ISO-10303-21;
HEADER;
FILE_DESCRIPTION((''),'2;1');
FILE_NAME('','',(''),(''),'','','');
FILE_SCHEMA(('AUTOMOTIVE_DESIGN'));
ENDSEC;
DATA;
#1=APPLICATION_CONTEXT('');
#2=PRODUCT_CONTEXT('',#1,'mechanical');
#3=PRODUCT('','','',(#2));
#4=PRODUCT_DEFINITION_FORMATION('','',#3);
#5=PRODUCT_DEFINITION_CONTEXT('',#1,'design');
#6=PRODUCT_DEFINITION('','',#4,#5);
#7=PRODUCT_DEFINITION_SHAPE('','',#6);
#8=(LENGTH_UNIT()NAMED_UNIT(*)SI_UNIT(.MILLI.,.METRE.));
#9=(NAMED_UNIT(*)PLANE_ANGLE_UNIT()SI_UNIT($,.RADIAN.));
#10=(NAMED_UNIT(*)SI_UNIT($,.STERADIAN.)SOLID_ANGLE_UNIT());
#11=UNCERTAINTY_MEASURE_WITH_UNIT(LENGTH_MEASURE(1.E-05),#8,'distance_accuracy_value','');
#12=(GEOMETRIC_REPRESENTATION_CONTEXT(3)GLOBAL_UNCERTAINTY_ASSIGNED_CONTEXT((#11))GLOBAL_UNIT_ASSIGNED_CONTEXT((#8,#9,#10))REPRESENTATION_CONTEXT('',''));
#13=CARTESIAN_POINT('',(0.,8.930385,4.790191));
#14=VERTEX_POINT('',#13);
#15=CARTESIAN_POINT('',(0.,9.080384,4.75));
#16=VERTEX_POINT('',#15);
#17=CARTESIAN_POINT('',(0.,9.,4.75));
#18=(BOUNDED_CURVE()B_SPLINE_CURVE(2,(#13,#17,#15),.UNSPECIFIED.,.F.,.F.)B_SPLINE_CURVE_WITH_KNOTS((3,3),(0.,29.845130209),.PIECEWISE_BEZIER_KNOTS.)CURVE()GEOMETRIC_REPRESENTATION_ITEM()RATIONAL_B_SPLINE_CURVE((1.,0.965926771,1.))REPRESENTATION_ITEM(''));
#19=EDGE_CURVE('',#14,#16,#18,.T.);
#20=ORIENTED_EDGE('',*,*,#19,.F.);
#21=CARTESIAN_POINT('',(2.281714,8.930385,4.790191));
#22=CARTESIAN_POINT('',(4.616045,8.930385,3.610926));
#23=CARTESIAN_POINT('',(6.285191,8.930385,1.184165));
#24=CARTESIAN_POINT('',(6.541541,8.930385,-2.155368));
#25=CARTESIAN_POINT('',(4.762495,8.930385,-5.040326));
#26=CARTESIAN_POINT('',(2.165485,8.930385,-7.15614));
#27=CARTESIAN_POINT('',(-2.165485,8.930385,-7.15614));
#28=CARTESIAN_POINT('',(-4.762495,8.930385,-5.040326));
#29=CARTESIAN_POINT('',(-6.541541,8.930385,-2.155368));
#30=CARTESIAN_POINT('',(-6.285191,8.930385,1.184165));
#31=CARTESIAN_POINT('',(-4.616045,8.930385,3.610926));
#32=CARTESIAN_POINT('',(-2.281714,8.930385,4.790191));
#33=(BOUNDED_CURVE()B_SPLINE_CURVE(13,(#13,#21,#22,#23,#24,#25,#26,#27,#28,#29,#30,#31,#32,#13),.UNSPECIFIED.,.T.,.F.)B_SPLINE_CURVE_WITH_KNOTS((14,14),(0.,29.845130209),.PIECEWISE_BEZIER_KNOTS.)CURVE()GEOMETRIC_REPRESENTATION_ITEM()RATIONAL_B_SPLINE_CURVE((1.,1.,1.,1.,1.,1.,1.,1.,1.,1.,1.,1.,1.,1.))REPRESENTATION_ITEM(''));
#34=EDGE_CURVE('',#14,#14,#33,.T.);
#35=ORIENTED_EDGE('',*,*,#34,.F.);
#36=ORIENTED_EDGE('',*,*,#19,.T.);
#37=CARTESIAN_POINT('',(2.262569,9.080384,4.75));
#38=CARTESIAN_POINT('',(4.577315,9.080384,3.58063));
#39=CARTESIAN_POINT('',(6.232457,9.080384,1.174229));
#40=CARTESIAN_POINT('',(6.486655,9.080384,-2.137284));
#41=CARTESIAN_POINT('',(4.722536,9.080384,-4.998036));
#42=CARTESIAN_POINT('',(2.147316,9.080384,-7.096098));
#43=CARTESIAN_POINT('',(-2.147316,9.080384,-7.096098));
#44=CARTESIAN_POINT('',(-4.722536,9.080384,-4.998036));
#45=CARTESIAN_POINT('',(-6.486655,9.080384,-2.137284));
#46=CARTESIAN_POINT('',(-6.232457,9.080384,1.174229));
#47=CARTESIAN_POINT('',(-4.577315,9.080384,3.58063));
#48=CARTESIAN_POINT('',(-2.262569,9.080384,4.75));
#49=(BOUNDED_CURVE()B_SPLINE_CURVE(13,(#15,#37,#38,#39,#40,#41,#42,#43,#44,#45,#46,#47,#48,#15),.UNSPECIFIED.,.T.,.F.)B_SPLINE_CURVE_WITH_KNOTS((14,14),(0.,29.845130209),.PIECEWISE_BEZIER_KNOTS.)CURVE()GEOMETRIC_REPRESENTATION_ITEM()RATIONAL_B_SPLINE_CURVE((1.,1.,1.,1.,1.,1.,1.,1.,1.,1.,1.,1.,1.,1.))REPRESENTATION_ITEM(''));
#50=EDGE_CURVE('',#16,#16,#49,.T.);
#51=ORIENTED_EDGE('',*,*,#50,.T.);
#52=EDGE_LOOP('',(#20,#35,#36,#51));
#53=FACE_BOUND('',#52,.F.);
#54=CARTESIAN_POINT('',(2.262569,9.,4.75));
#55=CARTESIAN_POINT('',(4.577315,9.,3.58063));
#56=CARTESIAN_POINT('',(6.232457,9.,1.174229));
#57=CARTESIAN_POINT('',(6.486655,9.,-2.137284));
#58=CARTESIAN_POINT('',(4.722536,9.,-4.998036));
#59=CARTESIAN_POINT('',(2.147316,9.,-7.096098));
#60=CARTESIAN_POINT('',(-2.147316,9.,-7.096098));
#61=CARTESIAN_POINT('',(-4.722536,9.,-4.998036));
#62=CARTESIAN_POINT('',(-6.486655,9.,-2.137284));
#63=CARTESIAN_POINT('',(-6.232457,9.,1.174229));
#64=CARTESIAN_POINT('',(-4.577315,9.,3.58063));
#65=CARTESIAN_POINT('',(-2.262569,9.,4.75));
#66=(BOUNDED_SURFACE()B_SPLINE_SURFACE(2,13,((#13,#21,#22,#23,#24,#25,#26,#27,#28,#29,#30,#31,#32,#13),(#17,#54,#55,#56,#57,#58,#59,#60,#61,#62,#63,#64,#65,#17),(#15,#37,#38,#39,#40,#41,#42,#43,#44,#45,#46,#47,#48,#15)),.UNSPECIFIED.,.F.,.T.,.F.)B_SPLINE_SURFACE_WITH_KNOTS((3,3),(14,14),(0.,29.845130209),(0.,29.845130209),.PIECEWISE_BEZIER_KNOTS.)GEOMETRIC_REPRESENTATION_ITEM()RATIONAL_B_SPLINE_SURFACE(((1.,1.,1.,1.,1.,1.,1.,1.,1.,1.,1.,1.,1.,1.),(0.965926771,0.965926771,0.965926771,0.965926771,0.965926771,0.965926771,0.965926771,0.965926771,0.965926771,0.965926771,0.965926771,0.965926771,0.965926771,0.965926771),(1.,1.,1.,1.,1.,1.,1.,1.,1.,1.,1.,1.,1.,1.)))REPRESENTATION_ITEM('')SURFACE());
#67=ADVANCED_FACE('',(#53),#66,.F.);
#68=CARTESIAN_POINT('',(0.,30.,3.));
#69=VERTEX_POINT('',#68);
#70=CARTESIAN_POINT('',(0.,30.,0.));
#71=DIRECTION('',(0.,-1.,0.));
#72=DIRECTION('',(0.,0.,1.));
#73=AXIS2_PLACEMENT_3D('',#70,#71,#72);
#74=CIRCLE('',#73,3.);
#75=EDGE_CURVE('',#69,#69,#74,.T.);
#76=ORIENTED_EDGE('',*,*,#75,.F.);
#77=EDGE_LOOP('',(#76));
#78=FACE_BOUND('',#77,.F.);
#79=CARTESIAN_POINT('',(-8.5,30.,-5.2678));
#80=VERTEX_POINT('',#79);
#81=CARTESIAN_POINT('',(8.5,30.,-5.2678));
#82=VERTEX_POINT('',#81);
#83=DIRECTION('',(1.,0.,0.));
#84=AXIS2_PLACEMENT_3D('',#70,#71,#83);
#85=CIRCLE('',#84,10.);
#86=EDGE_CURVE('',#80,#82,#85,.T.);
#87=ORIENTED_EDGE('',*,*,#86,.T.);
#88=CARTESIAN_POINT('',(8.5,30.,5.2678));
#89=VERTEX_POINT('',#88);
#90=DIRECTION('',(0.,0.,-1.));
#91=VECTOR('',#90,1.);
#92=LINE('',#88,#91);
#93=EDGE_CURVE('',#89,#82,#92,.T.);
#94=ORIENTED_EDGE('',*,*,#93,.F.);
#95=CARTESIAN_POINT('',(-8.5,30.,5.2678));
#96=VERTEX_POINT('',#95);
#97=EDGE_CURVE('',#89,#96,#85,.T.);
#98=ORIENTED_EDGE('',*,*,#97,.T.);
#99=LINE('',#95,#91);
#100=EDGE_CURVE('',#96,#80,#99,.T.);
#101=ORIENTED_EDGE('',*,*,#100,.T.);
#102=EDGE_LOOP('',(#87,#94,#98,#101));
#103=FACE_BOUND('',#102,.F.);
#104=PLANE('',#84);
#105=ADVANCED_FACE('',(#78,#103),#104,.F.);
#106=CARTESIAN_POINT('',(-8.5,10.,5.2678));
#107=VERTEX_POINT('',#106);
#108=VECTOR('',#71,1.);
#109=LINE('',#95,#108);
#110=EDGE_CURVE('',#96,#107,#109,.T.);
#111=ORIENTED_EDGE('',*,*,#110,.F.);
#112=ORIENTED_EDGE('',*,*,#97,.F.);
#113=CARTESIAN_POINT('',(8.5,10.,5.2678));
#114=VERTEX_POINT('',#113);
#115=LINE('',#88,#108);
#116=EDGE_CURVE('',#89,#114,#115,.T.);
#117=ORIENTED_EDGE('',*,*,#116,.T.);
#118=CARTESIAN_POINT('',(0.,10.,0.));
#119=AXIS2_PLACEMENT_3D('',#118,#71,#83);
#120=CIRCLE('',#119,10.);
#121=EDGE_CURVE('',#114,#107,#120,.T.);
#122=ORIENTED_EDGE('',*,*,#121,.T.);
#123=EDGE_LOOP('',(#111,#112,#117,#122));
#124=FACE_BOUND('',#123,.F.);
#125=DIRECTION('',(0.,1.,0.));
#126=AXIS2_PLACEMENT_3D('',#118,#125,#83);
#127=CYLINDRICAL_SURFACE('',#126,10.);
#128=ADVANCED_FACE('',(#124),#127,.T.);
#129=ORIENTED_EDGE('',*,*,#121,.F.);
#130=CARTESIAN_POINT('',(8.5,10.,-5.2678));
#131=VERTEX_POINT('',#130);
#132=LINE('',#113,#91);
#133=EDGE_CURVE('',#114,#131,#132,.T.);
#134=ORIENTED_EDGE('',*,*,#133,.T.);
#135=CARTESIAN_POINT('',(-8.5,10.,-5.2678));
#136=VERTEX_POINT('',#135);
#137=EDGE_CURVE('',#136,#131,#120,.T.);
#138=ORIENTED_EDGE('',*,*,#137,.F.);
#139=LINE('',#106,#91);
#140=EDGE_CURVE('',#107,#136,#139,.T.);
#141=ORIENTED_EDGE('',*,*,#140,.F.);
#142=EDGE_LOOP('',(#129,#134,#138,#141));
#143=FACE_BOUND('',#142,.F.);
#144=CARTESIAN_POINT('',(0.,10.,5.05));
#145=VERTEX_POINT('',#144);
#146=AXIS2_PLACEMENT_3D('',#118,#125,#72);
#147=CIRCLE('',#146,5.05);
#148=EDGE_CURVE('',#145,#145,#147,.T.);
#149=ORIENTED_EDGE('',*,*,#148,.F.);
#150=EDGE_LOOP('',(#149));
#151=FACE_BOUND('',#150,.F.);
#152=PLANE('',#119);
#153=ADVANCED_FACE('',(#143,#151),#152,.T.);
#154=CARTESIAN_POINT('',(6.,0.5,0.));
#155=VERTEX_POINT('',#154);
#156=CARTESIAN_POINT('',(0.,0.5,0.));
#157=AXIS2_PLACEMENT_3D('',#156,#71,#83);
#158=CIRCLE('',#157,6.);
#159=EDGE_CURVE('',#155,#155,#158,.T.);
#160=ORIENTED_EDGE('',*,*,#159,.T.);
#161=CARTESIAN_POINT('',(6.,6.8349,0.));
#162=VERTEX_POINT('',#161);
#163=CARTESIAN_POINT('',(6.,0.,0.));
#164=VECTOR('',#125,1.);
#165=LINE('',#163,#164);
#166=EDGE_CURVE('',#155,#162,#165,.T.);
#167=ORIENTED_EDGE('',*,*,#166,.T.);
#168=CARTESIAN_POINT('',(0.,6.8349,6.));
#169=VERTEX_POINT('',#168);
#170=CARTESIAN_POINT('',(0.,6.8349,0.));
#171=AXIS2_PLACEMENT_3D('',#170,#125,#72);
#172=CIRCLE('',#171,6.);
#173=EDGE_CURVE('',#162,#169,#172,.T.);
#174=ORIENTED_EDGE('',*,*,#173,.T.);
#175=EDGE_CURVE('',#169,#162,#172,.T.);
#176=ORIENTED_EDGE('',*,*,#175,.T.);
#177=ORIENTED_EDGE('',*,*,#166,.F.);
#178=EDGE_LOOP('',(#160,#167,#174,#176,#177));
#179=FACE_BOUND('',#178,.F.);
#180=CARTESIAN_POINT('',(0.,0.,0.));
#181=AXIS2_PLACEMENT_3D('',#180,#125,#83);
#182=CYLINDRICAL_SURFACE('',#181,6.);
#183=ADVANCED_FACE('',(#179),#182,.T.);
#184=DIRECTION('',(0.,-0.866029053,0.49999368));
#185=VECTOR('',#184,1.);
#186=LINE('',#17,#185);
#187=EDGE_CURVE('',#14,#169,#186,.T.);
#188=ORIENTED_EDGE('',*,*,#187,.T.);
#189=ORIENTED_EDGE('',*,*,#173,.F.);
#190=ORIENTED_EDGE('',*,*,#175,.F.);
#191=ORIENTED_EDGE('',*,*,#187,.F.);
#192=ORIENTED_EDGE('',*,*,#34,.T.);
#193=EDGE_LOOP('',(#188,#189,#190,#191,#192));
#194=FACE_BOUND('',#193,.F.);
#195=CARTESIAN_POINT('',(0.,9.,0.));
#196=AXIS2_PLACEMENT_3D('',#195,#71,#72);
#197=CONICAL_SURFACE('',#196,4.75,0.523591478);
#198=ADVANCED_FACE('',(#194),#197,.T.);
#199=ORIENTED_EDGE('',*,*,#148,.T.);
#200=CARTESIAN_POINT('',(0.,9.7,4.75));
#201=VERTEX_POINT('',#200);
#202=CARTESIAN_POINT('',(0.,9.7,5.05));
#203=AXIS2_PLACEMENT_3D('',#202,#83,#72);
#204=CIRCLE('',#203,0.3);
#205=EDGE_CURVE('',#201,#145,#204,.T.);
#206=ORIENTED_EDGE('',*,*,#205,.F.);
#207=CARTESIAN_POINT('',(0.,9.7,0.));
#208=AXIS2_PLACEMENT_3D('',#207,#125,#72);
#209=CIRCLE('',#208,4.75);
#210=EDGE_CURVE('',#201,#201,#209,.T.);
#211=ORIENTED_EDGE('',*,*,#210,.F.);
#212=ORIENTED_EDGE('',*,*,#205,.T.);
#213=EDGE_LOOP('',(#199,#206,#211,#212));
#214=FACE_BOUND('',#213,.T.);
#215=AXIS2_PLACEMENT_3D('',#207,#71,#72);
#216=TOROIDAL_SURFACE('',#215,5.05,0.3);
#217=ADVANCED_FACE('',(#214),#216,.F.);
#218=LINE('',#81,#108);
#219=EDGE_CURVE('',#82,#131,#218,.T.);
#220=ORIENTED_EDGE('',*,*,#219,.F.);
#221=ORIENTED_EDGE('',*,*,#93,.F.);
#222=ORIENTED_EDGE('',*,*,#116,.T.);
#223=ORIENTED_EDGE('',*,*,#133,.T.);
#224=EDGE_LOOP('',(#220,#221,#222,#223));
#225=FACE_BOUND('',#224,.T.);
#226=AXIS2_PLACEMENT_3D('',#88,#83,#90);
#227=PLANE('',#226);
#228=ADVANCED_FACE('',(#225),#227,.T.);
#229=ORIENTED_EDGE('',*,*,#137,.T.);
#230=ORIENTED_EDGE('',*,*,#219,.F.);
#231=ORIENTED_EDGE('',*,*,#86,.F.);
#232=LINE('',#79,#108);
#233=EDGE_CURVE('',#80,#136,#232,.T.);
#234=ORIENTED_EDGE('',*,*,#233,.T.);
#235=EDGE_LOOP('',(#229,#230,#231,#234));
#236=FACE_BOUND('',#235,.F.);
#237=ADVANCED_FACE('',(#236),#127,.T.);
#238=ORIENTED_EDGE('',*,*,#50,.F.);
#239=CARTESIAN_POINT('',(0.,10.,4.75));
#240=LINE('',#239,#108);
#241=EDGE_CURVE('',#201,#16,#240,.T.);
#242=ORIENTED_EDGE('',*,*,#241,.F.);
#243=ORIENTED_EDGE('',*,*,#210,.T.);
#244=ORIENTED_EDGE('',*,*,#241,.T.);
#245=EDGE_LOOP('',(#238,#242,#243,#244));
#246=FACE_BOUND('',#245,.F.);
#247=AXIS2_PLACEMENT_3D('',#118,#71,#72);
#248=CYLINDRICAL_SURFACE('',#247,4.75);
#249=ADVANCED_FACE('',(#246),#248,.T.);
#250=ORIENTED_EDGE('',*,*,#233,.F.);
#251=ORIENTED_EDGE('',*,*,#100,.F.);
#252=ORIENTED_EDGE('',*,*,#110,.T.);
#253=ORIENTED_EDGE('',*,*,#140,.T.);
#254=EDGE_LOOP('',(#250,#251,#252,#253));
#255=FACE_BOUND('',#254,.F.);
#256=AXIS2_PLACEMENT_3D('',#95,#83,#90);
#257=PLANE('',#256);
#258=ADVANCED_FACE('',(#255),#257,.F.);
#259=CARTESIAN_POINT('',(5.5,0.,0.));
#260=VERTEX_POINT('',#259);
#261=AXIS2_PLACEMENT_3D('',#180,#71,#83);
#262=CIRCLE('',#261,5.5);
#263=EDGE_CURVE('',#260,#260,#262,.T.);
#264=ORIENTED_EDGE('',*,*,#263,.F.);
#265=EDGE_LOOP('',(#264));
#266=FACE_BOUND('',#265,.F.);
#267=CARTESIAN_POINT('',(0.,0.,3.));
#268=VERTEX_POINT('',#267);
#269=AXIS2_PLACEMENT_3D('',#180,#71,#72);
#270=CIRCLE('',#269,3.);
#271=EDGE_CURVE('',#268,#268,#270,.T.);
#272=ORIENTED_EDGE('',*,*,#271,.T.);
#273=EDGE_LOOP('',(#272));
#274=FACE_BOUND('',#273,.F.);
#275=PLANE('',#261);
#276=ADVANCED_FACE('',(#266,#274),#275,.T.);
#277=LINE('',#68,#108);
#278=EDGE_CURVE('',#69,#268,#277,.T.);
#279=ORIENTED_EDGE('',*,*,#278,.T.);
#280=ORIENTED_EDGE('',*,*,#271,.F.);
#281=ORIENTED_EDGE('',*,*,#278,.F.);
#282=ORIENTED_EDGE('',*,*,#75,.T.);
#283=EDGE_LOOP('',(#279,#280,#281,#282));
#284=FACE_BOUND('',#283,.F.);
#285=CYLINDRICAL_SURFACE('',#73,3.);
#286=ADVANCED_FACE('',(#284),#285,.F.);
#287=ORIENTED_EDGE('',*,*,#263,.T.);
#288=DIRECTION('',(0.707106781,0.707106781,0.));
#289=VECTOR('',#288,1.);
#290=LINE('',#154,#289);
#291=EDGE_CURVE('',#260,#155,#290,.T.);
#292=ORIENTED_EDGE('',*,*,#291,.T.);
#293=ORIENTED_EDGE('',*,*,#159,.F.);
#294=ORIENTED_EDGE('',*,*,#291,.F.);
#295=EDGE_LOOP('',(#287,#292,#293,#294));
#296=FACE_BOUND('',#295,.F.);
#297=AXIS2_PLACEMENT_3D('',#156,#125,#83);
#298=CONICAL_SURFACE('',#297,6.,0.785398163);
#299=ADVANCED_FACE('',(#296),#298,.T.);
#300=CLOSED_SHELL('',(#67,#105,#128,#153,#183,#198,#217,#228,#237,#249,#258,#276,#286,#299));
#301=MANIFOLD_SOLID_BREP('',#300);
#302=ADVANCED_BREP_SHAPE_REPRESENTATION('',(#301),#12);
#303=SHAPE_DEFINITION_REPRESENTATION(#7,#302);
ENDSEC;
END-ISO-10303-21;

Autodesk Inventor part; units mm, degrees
ref_plane "YZ Plane" through (0, 0, 0) normal (1, 0, 0) x (0, 1, 0)
ref_plane "XZ Plane" through (0, 0, 0) normal (0, 1, 0) x (-1, 0, 0)
ref_plane "XY Plane" through (0, 0, 0) normal (0, 0, 1) x (1, 0, 0)
sketch "Skizze6" plane through (0, 0, 0) normal (0, 0, 1) x (1, 0, 0)
  line L0 (0, 0) -> (6, 0)
  line L1 (6, 0) -> (6, 10)
  line L2 (6, 10) -> (10, 10)
  line L3 (10, 10) -> (10, 30)
  line L4 (10, 30) -> (0, 30)
  line L5 (0, 30) -> (0, 0)
  line L6 (0, 30) -> (0, 0)
  dimension "d34" = 20
  dimension "d35" = 12
  dimension "d36" = 20
  dimension "d37" = 30
revolve "Umdrehung1" add sketch "Skizze6" angle 360 about axis through (0, 30, 0) along (0, -1, 0)
sketch "Skizze7" plane through (0, 30, 0) normal (0, 1, 0) x (1, 0, 0)
  circle A0 centre (0, 0) radius 10 projected
hole "Bohrung5" at (0, 30, 0) direction (0, -1, 0) diameter 6 end through all
sketch "Skizze8" plane through (0, 30, 0) normal (0, 1, 0) x (1, 0, 0)
  line L0 (-8.5, -5.2678) -> (-8.5, 5.2678)
  circle A0 centre (0, 0) radius 10 projected
  line L1 (0, 10) -> (0, -10)
  arc A1 (-8.5, 5.2678) -> (-8.5, -5.2678) centre (0, 0) ccw
  line L2 (8.5, -5.2678) -> (8.5, 5.2678)
  arc A2 (8.5, -5.2678) -> (8.5, 5.2678) centre (0, 0) ccw
  dimension "d46" = 17
extrude "Extrusion2" cut sketch "Skizze8" against normal up to surface (20 mm away) contours A0 L0 | L2 A0
chamfer "Fase1" distance 0.5 angle 45 1 edges at (-6, 0, 0)
sketch "Skizze9" plane through (0, 0, 0) normal (1, 0, 0) x (0, 1, 0)
  line L0 (10, 6) -> (0.5, 6) projected
  line L1 (10, -5.2678) -> (10, 5.2678) projected
  line L2 (10, 6) -> (10, 4.75)
  line L3 (10, 5.2678) -> (10, -5.2678) projected
  line L4 (10, 4.75) -> (9, 4.75)
  line L5 (9, 4.75) -> (6.8349, 6)
  line L6 (6.8349, 6) -> (10, 6)
  line L7 (0, 0) -> (30, 0)
  line L8 (30, 3) -> (30, -3) projected
  dimension "d52" = 9.5
  dimension "d53" = 30
  dimension "d54" = 1
revolve "Umdrehung2" cut sketch "Skizze9" angle 360 about axis through (0, 0, 0) along (0, 1, 0)
fillet "Rundung1" radius 0.3 2 edges at (0, 10, -4.75) (0, 9, -4.75)
thread "Gewinde1" size "M12x1.75" class "6g" standard "ANSI Metric M Profile" full length
properties part number "106.015.01_Justage_Vereinzelung" material "Aluminium 6061"
